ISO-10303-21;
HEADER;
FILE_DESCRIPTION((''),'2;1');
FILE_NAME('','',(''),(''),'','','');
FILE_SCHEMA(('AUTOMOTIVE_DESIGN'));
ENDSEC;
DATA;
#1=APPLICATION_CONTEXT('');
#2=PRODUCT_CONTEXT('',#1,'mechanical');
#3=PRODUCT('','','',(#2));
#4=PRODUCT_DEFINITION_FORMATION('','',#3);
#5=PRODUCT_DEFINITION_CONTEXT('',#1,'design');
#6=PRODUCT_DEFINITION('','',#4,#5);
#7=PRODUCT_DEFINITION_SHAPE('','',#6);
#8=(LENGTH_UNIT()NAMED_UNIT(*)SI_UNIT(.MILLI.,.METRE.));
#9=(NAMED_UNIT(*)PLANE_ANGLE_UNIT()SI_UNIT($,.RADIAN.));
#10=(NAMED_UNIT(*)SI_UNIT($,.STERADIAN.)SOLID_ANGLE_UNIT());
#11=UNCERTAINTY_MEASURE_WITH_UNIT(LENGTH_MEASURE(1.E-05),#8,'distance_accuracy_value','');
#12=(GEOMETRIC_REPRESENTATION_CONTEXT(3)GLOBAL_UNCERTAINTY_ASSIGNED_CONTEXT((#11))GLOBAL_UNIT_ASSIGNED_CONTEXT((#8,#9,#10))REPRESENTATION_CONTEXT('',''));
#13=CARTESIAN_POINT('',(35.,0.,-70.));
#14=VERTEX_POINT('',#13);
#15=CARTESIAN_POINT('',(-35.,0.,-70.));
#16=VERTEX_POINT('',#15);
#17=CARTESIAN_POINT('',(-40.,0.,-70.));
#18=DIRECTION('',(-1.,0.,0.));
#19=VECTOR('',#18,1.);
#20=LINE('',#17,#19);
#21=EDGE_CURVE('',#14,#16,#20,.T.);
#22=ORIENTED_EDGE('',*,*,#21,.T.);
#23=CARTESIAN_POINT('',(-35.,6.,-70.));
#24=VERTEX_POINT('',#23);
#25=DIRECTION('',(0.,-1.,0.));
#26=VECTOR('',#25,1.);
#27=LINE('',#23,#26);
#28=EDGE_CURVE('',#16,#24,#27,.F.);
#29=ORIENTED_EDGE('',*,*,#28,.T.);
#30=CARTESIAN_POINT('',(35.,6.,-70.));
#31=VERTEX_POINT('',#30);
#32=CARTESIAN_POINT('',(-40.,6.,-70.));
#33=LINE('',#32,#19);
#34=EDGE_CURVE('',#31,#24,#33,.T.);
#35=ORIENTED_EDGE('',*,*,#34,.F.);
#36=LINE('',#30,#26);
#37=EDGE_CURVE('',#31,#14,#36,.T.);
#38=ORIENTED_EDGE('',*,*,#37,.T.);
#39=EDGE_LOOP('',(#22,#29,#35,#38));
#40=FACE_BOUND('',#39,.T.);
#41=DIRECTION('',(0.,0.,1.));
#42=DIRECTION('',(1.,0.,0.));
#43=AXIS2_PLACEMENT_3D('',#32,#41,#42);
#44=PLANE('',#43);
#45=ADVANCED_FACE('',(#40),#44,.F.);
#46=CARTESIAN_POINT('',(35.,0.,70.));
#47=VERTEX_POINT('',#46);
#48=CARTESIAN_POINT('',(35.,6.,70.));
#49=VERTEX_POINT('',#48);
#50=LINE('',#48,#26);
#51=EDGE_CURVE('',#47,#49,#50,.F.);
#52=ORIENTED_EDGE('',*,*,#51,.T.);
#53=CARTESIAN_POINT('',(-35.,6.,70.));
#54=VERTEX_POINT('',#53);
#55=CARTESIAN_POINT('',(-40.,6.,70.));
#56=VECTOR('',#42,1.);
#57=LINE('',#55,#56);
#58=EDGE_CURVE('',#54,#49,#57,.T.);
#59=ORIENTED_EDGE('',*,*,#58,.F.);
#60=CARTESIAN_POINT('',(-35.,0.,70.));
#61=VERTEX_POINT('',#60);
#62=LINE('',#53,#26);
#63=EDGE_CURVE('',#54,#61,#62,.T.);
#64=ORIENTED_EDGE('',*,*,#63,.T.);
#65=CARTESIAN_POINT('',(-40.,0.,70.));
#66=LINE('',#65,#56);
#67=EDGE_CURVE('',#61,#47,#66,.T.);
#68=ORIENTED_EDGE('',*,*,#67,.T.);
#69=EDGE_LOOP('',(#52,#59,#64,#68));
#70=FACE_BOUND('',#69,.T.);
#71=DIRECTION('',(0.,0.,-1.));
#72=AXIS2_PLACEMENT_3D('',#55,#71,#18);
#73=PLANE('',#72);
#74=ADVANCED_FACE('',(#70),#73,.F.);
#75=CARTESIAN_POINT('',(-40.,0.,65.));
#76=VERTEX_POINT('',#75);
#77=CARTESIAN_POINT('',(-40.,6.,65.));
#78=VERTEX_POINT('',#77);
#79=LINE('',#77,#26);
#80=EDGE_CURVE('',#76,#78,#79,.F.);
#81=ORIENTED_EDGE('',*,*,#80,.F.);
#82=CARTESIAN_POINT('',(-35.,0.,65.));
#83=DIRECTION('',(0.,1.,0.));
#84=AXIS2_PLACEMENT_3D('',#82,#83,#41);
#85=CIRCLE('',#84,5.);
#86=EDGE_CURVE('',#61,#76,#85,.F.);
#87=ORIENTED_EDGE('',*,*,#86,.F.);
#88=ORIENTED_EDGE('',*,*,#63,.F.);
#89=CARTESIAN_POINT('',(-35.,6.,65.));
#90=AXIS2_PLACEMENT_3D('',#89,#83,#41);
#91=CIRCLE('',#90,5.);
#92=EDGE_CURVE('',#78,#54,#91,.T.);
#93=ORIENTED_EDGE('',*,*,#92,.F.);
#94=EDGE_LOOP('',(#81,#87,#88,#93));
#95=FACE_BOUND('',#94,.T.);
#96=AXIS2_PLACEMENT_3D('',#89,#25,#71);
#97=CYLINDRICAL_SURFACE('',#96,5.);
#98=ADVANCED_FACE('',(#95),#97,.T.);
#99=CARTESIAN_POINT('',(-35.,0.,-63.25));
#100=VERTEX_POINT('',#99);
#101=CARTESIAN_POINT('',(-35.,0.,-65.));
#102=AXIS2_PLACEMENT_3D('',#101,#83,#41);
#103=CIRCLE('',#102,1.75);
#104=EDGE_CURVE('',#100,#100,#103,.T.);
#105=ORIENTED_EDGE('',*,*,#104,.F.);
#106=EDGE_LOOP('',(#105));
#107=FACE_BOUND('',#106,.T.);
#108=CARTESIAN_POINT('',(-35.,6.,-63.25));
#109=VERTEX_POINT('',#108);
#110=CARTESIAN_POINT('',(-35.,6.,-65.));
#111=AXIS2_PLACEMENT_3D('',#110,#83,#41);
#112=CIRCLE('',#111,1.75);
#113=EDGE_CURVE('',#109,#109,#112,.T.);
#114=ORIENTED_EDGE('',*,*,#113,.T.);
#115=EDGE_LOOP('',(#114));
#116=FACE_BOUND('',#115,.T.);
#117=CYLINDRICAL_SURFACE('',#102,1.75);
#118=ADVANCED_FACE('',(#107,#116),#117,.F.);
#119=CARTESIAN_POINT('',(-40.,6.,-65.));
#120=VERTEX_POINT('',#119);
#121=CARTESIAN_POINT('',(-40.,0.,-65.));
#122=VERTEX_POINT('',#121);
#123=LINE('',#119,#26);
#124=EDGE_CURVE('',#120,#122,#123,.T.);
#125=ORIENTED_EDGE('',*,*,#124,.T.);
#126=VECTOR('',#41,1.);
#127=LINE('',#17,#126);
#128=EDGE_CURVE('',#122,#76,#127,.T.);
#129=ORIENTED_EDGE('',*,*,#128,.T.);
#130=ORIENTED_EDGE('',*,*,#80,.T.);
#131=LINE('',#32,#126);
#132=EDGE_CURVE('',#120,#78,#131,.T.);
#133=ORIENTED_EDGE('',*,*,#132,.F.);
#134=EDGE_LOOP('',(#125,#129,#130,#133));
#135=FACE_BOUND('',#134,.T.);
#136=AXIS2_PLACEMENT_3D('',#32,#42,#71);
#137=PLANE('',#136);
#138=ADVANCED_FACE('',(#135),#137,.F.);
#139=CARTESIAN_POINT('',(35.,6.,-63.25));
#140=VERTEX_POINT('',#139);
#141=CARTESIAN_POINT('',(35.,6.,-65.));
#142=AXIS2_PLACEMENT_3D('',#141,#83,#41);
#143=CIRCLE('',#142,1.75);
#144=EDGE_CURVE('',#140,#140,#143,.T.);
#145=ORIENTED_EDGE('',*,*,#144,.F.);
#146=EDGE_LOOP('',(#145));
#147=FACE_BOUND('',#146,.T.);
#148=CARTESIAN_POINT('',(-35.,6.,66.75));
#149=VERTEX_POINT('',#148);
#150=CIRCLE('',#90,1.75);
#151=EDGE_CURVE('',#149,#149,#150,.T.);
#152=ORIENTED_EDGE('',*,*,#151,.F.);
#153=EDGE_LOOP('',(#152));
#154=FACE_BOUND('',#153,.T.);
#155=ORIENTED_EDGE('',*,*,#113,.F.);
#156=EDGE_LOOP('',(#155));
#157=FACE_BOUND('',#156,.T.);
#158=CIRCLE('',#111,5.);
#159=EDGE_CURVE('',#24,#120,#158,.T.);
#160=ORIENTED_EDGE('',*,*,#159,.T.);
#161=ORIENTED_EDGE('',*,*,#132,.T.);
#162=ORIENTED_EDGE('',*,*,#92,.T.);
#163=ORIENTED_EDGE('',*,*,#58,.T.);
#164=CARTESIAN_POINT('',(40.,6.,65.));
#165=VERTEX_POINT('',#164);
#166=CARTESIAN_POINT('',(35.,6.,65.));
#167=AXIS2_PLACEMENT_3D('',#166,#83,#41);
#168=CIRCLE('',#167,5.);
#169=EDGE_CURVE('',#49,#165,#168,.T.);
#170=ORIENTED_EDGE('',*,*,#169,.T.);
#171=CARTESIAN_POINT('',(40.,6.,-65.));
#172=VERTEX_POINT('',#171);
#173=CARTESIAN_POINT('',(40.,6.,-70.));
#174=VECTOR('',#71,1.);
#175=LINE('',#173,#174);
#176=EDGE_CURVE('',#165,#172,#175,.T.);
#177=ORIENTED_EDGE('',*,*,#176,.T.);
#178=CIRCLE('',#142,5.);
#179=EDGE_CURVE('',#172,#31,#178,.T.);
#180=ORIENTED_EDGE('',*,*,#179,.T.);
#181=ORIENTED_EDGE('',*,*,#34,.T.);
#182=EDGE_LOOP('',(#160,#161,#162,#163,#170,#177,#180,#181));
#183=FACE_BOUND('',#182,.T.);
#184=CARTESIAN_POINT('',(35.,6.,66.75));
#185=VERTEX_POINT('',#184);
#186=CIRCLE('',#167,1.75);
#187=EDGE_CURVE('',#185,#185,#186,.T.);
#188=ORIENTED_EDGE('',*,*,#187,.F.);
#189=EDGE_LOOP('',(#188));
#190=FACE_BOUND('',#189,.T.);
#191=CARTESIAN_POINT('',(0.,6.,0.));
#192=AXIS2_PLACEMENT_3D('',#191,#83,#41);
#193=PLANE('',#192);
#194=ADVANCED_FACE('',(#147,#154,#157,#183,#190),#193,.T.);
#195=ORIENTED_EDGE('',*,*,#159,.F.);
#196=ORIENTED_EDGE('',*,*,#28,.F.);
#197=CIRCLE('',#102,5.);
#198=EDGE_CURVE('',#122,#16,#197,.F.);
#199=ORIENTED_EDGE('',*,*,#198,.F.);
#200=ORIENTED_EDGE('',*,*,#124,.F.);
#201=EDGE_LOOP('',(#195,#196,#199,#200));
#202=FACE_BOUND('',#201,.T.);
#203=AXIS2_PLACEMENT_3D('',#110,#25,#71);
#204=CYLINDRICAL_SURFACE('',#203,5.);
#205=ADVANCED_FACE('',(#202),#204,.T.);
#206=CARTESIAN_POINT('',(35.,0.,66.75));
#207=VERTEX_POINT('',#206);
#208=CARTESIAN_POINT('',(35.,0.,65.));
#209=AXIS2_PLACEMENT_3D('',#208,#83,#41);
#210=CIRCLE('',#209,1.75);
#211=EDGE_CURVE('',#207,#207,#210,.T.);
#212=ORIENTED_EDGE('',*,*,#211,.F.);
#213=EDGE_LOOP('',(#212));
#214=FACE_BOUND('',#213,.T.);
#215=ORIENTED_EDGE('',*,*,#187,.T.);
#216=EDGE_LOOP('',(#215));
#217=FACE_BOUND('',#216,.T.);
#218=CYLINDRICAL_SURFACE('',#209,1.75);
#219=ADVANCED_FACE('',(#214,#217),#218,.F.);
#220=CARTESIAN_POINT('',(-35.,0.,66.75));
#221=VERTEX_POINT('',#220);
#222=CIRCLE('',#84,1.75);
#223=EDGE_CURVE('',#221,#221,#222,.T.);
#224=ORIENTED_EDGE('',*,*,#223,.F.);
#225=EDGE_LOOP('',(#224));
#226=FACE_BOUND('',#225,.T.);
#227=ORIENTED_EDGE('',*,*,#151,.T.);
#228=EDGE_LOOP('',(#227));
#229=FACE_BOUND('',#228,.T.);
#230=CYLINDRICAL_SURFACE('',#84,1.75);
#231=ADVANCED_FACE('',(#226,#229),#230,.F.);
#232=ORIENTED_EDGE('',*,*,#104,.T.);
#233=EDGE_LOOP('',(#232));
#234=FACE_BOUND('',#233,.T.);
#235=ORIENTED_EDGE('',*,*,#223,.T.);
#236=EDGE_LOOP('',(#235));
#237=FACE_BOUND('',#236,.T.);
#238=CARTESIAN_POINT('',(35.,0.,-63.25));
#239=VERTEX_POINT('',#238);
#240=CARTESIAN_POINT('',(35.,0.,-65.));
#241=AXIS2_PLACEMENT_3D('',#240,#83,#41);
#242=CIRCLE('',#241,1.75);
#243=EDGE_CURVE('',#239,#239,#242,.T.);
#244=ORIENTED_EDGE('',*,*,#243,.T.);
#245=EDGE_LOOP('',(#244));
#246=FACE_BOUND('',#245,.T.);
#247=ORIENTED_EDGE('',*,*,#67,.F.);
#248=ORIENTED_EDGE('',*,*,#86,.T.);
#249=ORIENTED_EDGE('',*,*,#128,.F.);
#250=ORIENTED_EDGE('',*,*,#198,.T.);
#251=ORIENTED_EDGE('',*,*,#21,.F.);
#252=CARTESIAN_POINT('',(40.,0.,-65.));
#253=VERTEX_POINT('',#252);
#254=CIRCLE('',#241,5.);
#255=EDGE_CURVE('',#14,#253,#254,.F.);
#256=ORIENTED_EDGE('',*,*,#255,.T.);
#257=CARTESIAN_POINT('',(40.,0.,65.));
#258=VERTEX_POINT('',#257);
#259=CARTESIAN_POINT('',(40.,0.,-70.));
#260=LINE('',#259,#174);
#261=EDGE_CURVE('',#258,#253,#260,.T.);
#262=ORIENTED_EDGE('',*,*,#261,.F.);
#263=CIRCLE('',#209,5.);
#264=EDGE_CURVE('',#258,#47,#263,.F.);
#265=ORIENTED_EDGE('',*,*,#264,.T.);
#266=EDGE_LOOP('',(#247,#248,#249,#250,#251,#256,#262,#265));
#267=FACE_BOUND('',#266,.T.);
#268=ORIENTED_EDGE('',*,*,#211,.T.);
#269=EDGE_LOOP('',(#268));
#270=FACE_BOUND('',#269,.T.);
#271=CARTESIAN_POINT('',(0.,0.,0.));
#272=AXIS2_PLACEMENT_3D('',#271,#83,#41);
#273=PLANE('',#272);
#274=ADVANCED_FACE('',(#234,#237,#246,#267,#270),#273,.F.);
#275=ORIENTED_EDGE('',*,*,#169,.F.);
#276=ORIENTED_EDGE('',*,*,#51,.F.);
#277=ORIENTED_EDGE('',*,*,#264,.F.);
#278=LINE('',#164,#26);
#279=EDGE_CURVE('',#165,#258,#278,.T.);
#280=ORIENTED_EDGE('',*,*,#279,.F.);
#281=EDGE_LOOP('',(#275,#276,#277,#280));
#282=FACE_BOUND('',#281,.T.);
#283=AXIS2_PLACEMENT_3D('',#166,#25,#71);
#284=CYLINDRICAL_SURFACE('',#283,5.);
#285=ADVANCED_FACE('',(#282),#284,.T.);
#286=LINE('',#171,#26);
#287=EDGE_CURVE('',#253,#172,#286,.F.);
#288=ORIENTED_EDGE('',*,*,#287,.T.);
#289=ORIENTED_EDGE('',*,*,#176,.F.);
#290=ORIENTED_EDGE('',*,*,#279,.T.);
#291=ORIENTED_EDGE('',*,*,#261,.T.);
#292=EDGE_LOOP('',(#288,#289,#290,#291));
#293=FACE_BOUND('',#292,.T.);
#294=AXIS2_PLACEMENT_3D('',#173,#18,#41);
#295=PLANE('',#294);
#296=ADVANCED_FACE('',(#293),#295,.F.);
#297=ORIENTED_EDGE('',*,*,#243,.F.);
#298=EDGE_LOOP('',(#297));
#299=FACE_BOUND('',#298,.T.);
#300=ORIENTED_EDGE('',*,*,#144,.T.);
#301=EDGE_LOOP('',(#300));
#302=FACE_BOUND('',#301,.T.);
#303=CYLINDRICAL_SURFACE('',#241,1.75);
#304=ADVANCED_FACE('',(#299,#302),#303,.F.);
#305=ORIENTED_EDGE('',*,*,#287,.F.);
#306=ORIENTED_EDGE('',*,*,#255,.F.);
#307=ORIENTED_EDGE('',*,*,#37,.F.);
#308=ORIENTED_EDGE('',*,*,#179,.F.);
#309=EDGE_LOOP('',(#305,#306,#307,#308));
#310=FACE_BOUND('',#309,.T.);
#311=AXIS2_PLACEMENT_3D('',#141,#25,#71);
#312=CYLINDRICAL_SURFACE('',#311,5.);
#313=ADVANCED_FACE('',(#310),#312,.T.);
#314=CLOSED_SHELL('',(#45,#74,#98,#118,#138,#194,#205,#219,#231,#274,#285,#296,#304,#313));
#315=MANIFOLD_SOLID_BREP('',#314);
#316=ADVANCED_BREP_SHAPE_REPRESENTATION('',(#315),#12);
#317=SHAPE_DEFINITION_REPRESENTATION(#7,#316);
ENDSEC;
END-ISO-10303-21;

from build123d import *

# Parameters (mm, degrees)
SKETCH1_W           = 80
SKETCH1_H           = 140
BOSS_EXTRUDE1_DEPTH = 6
SKETCH2_R           = 1.75
CUT_EXTRUDE1_DEPTH  = 81.845531726
FILLET1_R           = 5


with BuildPart() as part:
    # Sketch1 → Boss-Extrude1 (new body)
    with BuildSketch(Plane(origin=(0, 0, 0), x_dir=(1, 0, 0), z_dir=(0, 1, 0))):
        Rectangle(SKETCH1_W, SKETCH1_H)
    extrude(amount=BOSS_EXTRUDE1_DEPTH)

    # Sketch2 → Cut-Extrude1 (cut, through all)
    with BuildSketch(Plane(origin=(0, 6, 0), x_dir=(1, 0, 0), z_dir=(0, 1, 0))):
        with Locations(Location((-35, 65, 0), (0, 0, 270))):
            Circle(SKETCH2_R)
        with Locations(Location((35, 65, 0), (0, 0, 270))):
            Circle(SKETCH2_R)
        with Locations(Location((-35, -65, 0), (0, 0, 270))):
            Circle(SKETCH2_R)
        with Locations(Location((35, -65, 0), (0, 0, 270))):
            Circle(SKETCH2_R)
    extrude(amount=-CUT_EXTRUDE1_DEPTH, mode=Mode.SUBTRACT)

    # Fillet1
    fillet1_edges = [part.edges().sort_by_distance(p)[0] for p in [
        (40, 3, 70),
        (-40, 3, 70),
        (-40, 3, -70),
        (40, 3, -70),
    ]]
    fillet(fillet1_edges, radius=FILLET1_R)


solid = part.part
